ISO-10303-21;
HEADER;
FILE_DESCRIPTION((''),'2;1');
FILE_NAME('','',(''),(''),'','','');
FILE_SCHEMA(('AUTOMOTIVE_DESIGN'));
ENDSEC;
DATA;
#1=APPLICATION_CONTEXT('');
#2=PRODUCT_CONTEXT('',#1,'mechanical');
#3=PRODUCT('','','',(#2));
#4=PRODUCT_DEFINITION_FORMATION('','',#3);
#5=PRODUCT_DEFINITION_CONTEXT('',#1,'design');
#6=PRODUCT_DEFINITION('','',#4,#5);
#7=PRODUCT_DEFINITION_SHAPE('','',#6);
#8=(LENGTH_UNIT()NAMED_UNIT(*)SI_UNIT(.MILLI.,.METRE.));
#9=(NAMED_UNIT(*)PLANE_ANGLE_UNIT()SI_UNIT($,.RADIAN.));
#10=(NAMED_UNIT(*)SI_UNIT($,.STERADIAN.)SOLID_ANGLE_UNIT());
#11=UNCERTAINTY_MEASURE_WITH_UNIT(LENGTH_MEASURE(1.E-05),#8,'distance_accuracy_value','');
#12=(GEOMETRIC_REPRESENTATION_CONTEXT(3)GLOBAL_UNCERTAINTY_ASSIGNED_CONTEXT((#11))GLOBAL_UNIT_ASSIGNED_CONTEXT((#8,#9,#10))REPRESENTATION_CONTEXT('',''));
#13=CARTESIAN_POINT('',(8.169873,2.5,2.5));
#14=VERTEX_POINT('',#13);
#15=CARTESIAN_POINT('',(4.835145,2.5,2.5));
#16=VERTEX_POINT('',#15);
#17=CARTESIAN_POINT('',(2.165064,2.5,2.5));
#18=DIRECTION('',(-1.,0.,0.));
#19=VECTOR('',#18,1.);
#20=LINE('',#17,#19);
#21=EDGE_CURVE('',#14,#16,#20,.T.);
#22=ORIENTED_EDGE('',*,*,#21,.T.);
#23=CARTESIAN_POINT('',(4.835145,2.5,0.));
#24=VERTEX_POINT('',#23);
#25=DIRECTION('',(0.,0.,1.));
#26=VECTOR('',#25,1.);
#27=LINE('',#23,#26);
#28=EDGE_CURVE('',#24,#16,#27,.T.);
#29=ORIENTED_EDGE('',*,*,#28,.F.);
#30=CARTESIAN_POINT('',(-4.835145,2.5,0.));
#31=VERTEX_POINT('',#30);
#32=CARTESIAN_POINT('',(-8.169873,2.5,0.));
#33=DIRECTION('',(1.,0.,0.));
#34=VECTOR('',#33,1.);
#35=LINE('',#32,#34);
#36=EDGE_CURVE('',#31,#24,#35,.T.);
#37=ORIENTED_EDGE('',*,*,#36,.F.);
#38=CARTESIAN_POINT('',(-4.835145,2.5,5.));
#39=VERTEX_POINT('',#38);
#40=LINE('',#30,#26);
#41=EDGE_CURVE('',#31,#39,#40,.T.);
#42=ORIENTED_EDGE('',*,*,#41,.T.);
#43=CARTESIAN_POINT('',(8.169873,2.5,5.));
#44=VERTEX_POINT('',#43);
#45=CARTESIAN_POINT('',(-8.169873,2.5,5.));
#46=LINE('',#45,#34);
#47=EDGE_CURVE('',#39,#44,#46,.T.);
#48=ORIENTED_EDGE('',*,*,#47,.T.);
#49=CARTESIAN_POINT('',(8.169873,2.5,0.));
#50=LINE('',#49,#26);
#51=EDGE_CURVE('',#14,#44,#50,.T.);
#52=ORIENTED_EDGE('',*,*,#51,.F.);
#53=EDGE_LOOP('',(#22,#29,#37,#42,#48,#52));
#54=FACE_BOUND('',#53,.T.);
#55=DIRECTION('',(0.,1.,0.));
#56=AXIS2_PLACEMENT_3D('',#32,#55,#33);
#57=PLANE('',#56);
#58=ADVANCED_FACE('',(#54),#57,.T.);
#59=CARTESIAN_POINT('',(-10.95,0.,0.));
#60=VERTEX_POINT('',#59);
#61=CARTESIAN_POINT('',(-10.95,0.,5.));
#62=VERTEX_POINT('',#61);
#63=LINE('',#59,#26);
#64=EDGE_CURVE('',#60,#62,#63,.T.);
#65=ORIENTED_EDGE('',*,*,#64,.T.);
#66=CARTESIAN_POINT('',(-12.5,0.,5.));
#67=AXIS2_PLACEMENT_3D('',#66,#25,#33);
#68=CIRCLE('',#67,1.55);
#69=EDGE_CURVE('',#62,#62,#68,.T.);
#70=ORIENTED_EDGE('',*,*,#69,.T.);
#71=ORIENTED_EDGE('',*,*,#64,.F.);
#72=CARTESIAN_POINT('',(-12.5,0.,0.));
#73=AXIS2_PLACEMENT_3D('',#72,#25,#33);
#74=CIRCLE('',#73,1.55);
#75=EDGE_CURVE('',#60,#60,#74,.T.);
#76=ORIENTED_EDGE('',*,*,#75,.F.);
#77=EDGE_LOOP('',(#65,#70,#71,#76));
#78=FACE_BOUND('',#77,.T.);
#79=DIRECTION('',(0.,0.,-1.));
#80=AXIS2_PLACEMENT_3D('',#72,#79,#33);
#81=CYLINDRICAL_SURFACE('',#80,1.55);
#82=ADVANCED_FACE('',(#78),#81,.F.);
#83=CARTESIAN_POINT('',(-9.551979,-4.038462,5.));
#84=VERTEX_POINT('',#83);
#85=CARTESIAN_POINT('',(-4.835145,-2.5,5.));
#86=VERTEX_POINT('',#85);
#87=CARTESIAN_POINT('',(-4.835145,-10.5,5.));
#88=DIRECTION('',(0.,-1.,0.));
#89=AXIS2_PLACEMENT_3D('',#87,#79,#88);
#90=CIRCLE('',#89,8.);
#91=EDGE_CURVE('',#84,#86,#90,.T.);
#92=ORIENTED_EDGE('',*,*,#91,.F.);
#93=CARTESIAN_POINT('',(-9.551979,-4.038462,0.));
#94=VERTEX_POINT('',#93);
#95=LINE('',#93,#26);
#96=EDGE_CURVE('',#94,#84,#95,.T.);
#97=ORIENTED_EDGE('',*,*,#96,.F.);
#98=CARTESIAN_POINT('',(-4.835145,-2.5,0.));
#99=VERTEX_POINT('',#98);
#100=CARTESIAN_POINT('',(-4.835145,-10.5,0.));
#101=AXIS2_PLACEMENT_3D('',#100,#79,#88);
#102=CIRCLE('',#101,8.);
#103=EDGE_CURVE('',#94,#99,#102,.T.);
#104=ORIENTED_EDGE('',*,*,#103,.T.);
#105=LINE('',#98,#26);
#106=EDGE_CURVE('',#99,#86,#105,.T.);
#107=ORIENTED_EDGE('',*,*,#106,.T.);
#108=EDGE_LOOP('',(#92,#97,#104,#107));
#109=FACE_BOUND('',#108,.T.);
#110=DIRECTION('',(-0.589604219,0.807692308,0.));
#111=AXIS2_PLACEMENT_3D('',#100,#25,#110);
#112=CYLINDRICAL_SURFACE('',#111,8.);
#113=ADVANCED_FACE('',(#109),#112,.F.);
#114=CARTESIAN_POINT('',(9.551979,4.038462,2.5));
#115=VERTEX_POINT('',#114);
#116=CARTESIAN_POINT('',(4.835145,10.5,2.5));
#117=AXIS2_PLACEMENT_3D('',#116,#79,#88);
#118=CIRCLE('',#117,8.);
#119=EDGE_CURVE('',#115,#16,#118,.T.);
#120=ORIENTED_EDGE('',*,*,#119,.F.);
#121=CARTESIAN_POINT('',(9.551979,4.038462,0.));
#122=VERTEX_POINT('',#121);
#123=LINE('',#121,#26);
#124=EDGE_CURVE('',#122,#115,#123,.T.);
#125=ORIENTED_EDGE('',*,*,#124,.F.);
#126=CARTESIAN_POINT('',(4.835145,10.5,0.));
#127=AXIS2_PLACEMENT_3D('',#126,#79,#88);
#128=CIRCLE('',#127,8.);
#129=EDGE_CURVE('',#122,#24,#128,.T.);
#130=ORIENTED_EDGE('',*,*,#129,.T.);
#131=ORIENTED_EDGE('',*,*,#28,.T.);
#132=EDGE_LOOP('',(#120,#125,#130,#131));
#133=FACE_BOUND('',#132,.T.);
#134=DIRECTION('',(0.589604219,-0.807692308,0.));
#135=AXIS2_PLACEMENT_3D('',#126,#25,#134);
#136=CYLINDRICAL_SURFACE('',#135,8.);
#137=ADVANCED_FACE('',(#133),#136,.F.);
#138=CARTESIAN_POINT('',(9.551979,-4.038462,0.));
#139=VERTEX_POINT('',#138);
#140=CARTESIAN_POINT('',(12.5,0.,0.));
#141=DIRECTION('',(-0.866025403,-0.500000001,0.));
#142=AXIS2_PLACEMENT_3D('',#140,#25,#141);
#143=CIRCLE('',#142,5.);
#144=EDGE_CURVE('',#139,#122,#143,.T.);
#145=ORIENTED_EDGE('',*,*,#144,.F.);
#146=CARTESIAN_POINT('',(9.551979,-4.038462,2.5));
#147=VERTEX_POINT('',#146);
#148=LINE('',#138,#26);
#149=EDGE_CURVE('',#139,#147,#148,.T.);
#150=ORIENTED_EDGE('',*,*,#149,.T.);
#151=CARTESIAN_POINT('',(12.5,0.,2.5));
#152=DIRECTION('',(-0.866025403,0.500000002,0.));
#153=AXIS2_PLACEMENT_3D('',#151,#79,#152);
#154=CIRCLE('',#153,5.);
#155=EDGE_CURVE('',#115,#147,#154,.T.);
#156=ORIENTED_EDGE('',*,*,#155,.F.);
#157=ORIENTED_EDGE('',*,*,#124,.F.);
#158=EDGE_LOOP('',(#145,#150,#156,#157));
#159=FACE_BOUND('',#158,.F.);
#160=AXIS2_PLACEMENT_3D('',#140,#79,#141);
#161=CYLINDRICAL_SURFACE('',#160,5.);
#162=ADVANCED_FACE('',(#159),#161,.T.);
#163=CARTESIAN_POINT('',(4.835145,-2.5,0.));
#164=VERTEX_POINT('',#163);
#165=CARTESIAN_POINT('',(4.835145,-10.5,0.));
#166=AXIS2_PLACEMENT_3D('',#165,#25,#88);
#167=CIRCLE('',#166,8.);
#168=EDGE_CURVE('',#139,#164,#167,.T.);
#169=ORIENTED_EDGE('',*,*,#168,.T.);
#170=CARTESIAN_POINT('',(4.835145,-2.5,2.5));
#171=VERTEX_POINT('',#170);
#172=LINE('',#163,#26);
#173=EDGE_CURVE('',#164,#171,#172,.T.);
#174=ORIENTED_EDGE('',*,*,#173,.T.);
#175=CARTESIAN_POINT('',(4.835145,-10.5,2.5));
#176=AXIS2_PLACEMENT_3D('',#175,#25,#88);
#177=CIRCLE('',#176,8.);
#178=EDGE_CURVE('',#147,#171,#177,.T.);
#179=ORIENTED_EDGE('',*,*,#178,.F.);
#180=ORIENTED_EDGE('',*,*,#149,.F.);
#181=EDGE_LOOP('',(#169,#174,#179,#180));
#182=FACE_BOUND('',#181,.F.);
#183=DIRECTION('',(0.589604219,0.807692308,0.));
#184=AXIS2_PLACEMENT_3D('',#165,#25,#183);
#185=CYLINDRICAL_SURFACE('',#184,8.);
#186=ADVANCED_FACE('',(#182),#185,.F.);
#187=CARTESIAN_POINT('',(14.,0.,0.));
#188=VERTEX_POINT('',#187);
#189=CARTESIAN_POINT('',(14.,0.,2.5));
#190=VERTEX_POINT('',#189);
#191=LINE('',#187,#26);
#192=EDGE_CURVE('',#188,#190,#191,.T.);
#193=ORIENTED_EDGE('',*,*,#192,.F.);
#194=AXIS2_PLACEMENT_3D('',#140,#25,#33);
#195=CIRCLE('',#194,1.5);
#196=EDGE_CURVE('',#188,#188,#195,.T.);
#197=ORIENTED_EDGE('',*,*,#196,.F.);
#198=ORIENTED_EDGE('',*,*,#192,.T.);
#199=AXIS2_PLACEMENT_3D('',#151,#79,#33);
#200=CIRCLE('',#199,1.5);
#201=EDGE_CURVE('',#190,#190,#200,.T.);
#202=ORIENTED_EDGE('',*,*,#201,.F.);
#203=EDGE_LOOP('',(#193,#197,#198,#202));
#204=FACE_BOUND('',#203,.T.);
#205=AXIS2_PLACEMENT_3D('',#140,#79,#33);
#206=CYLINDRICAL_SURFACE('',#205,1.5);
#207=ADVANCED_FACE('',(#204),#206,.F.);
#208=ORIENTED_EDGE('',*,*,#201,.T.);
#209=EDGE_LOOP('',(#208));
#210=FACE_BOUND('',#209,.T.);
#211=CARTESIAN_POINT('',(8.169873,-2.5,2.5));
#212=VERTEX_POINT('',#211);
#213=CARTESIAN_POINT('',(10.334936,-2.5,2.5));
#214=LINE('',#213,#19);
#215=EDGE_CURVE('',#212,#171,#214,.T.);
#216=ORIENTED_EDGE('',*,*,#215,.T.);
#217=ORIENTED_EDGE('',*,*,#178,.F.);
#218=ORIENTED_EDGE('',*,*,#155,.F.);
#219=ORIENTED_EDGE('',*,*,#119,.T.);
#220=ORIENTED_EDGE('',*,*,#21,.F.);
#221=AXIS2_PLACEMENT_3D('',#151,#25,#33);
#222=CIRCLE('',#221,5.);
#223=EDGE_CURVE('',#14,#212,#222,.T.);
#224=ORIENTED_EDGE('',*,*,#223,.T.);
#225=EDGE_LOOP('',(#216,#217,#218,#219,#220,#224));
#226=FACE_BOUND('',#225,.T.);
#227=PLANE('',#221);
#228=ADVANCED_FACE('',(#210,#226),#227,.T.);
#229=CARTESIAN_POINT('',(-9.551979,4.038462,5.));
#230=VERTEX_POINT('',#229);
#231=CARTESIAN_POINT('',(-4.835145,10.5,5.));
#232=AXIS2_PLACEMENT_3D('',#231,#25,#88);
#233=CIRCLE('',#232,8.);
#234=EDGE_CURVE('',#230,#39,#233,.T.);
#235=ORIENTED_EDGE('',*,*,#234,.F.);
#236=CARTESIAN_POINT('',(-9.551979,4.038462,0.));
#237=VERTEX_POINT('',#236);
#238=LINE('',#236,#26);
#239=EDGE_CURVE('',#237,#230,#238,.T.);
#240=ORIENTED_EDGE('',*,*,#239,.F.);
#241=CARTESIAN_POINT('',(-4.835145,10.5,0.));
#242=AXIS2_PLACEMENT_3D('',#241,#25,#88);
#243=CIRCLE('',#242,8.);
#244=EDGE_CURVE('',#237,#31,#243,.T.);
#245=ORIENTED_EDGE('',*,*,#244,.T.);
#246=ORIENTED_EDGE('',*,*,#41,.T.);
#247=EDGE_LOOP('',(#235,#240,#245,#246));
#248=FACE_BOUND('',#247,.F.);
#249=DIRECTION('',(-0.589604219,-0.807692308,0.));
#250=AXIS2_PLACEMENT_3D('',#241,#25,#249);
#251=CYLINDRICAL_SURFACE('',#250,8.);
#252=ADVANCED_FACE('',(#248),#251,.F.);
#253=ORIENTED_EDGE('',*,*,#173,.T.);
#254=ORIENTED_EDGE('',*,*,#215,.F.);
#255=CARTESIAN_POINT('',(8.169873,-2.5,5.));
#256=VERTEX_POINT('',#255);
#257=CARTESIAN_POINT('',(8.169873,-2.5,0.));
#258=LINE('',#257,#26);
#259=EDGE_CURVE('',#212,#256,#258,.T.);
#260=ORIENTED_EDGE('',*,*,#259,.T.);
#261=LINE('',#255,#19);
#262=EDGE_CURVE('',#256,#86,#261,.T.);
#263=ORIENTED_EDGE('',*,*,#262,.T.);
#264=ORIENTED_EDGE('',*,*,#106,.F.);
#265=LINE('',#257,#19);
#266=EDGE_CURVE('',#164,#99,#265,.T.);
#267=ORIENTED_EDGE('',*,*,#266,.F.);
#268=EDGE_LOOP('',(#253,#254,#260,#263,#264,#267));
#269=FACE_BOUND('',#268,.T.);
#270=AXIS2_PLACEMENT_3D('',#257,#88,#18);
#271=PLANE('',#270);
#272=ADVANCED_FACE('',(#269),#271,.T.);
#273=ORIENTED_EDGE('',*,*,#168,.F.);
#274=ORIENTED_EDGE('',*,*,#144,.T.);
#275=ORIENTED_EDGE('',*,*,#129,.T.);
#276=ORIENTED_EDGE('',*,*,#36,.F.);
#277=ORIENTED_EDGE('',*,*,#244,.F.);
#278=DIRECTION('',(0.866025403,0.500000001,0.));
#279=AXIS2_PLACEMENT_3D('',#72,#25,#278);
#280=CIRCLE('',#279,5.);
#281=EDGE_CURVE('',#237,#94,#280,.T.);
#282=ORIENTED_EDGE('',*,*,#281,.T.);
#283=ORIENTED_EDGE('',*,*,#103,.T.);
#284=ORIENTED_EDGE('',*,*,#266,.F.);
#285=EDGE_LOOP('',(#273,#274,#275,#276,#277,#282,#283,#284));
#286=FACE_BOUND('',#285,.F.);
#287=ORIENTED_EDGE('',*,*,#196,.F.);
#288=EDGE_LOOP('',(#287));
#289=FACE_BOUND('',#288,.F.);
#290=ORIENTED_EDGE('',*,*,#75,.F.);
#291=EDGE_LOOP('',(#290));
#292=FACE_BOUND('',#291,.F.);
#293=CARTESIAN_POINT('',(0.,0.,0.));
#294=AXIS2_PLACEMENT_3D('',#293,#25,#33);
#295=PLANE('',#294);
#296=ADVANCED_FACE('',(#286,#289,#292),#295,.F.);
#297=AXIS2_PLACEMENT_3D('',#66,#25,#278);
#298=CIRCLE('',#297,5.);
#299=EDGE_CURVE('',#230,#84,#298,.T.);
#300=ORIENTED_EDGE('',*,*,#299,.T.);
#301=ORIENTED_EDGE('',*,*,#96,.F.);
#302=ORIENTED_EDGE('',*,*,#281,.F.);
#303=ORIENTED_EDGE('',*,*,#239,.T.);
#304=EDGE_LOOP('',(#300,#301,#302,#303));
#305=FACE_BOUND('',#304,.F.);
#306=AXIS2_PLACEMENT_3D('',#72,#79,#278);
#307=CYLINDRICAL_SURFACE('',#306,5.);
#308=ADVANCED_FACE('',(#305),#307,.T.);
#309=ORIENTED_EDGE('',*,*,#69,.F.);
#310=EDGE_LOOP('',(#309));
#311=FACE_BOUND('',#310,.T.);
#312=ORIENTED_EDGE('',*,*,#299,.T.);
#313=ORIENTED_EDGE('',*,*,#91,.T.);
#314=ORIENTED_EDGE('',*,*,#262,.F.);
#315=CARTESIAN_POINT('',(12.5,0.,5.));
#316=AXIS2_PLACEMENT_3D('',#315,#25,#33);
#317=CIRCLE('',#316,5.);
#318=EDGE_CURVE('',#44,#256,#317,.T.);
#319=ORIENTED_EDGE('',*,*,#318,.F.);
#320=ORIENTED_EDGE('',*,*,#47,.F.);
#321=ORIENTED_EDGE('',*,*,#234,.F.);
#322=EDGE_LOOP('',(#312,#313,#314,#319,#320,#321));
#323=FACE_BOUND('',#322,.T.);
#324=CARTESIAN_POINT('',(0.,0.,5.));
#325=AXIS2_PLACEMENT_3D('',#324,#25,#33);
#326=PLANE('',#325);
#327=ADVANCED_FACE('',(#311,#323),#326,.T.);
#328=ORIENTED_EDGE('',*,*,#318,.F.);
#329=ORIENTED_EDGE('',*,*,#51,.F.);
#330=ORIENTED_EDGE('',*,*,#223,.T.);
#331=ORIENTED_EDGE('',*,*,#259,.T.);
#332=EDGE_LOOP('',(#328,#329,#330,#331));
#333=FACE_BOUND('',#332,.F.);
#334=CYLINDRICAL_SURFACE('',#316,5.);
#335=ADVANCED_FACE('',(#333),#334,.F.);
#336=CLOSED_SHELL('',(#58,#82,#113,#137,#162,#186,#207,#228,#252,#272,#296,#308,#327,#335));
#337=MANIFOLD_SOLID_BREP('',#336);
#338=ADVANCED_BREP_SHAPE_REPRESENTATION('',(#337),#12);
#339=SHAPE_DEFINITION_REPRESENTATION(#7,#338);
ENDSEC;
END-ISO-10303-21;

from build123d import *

# Parameters (mm, degrees)
SKETCH_R      = 1.55
SKETCH_R_2    = 1.5
EXTRUDE_DEPTH = 5
SKETCH001_R   = 5
POCKET_DEPTH  = 2.5
FILLET_R      = 8


with BuildPart() as part:
    # Sketch → Extrude (new body)
    with BuildSketch(Plane.XY):
        with BuildLine():
            ThreePointArc((-8.169873, 2.5), (-17.5, 0), (-8.169873, -2.5))
            Line((8.169873, -2.5), (-8.169873, -2.5))
            ThreePointArc((8.169873, -2.5), (17.5, 0), (8.169873, 2.5))
            Line((-8.169873, 2.5), (8.169873, 2.5))
        make_face()
        with Locations((-12.5, 0)):
            Circle(SKETCH_R, mode=Mode.SUBTRACT)
        with Locations((12.5, 0)):
            Circle(SKETCH_R_2, mode=Mode.SUBTRACT)
    extrude(amount=EXTRUDE_DEPTH)

    # Sketch001 → Pocket (cut)
    with BuildSketch(Plane.XY.offset(5)):
        with Locations((12.5, 0)):
            Circle(SKETCH001_R)
    extrude(amount=-POCKET_DEPTH, mode=Mode.SUBTRACT)

    # Fillet
    fillet_edges = [part.edges().sort_by_distance(p)[0] for p in [
        (-8.169873, 2.5, 2.5),
        (-8.169873, -2.5, 2.5),
        (8.169873, 2.5, 1.25),
        (8.169873, -2.5, 1.25),
    ]]
    fillet(fillet_edges, radius=FILLET_R)


solid = part.part
